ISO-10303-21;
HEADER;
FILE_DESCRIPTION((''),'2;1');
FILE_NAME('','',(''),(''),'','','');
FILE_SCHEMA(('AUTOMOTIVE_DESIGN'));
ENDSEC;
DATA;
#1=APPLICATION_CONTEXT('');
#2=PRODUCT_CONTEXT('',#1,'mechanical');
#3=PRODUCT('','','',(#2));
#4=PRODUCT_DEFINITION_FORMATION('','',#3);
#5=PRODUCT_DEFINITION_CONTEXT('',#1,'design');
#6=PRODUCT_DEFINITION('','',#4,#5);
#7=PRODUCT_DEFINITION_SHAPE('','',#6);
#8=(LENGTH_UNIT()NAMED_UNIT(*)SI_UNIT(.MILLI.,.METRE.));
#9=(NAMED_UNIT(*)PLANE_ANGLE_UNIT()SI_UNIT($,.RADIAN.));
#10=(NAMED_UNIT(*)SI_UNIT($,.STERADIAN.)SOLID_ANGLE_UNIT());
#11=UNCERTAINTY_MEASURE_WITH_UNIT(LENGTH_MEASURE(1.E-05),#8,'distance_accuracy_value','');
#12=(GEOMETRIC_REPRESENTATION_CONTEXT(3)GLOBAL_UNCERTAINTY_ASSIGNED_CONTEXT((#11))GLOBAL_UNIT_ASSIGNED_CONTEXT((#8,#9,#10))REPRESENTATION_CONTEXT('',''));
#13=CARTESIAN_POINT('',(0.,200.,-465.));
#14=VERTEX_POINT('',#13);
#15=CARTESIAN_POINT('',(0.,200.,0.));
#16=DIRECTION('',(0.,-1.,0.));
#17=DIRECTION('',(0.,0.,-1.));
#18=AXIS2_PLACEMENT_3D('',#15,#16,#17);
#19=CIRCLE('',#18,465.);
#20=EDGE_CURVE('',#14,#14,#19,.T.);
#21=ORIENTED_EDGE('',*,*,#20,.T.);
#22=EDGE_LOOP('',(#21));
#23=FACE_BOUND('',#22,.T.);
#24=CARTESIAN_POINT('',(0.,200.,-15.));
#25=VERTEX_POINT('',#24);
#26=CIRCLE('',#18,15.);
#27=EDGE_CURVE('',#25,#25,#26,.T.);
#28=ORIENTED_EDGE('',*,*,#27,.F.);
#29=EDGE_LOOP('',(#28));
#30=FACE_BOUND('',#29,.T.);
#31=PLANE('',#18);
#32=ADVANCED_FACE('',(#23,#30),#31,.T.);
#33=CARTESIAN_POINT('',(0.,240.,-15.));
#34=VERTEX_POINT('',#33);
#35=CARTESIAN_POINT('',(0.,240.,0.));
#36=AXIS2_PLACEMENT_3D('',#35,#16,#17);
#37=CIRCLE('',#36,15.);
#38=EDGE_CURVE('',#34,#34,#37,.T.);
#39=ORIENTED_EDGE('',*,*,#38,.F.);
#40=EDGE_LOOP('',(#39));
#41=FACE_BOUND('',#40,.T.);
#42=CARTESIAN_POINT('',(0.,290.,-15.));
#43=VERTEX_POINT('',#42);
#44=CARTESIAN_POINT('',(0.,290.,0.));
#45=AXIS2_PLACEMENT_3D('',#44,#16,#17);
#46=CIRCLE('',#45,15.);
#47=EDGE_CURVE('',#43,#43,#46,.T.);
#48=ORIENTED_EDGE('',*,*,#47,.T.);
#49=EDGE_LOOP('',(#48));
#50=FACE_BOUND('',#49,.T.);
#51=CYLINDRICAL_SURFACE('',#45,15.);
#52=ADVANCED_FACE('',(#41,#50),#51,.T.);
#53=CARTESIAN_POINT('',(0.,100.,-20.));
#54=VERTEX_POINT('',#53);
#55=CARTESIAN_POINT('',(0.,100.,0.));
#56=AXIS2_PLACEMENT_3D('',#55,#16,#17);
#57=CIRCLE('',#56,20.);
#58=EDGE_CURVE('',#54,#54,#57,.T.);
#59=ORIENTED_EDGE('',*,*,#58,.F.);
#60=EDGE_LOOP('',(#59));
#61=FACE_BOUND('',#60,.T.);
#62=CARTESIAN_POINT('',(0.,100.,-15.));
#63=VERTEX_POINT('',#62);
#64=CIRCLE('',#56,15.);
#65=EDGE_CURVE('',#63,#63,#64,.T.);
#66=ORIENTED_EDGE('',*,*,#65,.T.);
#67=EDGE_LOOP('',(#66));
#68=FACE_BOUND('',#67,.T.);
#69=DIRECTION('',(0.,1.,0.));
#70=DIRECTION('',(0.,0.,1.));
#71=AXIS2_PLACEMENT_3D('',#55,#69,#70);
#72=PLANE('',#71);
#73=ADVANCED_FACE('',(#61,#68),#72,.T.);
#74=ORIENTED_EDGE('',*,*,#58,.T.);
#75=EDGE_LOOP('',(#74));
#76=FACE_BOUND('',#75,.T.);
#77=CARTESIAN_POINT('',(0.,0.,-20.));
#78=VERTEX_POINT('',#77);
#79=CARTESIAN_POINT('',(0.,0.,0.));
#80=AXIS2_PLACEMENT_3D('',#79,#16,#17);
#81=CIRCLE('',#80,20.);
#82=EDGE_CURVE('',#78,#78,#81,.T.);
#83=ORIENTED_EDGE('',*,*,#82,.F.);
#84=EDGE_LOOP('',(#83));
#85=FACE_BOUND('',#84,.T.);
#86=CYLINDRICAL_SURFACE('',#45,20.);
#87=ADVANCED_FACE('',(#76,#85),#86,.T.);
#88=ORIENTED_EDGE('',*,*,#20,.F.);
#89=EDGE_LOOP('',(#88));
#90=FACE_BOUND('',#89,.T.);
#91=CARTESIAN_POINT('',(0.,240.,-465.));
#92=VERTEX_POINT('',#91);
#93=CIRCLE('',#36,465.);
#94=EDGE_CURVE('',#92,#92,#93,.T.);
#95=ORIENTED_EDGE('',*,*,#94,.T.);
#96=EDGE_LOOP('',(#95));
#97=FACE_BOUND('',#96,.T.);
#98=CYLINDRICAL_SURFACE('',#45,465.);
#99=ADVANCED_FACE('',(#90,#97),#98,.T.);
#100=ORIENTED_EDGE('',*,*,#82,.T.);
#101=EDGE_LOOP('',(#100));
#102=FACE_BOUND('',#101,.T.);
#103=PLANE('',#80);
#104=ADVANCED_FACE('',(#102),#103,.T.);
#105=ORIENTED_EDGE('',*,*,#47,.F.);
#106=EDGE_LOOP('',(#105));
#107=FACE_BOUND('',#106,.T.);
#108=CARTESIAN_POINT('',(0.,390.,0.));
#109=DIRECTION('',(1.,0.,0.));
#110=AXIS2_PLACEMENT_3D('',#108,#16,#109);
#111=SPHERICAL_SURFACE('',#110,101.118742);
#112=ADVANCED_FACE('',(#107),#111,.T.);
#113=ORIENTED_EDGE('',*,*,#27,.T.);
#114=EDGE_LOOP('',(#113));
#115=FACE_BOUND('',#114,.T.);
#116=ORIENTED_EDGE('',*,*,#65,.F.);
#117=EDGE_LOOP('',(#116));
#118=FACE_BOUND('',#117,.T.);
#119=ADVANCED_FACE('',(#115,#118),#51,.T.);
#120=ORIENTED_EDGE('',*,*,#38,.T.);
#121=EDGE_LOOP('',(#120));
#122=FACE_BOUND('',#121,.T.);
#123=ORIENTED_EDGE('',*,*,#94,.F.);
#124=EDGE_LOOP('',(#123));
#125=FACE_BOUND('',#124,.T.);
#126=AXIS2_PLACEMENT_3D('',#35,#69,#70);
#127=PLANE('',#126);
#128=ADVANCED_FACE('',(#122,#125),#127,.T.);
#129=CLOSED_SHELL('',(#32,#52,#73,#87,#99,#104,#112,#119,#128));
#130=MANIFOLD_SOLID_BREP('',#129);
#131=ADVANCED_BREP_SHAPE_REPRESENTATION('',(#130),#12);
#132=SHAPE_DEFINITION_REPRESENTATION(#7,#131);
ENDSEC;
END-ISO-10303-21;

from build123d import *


with BuildPart() as part:
    # 草图1 → 旋转1 (revolve)
    with BuildSketch(Plane.XY, mode=Mode.PRIVATE) as revolve_1_sk:
        with BuildLine():
            Line((0, 288.881257919), (0, 0))
            Line((0, 0), (20, 0))
            Line((20, 0), (20, 100))
            Line((20, 100), (15, 100))
            Line((15, 100), (15, 200))
            Line((15, 200), (465, 200))
            Line((465, 200), (465, 240))
            Line((465, 240), (15, 240))
            Line((15, 240), (15, 290))
            ThreePointArc((15, 290), (7.520830803, 289.161331306), (0, 288.881257919))
        make_face()
        with BuildLine():
            Line((0, 390), (0, 290))
            Line((0, 290), (15, 290))
            ThreePointArc((15, 290), (76.6217369, 324.014324021), (101.118742081, 390))
            ThreePointArc((101.118742081, 390), (71.50174823, 461.50174823), (0, 491.118742081))
            Line((0, 491.118742081), (0, 390))
        make_face()
        with BuildLine():
            Line((0, 290), (0, 288.881257919))
            ThreePointArc((0, 288.881257919), (7.520830803, 289.161331306), (15, 290))
            Line((15, 290), (0, 290))
        make_face()
    revolve(revolve_1_sk.sketch.rotate(Axis((0, 290, 0), (0, 1, 0)), 90), axis=Axis((0, 290, 0), (0, 1, 0)))


solid = part.part
